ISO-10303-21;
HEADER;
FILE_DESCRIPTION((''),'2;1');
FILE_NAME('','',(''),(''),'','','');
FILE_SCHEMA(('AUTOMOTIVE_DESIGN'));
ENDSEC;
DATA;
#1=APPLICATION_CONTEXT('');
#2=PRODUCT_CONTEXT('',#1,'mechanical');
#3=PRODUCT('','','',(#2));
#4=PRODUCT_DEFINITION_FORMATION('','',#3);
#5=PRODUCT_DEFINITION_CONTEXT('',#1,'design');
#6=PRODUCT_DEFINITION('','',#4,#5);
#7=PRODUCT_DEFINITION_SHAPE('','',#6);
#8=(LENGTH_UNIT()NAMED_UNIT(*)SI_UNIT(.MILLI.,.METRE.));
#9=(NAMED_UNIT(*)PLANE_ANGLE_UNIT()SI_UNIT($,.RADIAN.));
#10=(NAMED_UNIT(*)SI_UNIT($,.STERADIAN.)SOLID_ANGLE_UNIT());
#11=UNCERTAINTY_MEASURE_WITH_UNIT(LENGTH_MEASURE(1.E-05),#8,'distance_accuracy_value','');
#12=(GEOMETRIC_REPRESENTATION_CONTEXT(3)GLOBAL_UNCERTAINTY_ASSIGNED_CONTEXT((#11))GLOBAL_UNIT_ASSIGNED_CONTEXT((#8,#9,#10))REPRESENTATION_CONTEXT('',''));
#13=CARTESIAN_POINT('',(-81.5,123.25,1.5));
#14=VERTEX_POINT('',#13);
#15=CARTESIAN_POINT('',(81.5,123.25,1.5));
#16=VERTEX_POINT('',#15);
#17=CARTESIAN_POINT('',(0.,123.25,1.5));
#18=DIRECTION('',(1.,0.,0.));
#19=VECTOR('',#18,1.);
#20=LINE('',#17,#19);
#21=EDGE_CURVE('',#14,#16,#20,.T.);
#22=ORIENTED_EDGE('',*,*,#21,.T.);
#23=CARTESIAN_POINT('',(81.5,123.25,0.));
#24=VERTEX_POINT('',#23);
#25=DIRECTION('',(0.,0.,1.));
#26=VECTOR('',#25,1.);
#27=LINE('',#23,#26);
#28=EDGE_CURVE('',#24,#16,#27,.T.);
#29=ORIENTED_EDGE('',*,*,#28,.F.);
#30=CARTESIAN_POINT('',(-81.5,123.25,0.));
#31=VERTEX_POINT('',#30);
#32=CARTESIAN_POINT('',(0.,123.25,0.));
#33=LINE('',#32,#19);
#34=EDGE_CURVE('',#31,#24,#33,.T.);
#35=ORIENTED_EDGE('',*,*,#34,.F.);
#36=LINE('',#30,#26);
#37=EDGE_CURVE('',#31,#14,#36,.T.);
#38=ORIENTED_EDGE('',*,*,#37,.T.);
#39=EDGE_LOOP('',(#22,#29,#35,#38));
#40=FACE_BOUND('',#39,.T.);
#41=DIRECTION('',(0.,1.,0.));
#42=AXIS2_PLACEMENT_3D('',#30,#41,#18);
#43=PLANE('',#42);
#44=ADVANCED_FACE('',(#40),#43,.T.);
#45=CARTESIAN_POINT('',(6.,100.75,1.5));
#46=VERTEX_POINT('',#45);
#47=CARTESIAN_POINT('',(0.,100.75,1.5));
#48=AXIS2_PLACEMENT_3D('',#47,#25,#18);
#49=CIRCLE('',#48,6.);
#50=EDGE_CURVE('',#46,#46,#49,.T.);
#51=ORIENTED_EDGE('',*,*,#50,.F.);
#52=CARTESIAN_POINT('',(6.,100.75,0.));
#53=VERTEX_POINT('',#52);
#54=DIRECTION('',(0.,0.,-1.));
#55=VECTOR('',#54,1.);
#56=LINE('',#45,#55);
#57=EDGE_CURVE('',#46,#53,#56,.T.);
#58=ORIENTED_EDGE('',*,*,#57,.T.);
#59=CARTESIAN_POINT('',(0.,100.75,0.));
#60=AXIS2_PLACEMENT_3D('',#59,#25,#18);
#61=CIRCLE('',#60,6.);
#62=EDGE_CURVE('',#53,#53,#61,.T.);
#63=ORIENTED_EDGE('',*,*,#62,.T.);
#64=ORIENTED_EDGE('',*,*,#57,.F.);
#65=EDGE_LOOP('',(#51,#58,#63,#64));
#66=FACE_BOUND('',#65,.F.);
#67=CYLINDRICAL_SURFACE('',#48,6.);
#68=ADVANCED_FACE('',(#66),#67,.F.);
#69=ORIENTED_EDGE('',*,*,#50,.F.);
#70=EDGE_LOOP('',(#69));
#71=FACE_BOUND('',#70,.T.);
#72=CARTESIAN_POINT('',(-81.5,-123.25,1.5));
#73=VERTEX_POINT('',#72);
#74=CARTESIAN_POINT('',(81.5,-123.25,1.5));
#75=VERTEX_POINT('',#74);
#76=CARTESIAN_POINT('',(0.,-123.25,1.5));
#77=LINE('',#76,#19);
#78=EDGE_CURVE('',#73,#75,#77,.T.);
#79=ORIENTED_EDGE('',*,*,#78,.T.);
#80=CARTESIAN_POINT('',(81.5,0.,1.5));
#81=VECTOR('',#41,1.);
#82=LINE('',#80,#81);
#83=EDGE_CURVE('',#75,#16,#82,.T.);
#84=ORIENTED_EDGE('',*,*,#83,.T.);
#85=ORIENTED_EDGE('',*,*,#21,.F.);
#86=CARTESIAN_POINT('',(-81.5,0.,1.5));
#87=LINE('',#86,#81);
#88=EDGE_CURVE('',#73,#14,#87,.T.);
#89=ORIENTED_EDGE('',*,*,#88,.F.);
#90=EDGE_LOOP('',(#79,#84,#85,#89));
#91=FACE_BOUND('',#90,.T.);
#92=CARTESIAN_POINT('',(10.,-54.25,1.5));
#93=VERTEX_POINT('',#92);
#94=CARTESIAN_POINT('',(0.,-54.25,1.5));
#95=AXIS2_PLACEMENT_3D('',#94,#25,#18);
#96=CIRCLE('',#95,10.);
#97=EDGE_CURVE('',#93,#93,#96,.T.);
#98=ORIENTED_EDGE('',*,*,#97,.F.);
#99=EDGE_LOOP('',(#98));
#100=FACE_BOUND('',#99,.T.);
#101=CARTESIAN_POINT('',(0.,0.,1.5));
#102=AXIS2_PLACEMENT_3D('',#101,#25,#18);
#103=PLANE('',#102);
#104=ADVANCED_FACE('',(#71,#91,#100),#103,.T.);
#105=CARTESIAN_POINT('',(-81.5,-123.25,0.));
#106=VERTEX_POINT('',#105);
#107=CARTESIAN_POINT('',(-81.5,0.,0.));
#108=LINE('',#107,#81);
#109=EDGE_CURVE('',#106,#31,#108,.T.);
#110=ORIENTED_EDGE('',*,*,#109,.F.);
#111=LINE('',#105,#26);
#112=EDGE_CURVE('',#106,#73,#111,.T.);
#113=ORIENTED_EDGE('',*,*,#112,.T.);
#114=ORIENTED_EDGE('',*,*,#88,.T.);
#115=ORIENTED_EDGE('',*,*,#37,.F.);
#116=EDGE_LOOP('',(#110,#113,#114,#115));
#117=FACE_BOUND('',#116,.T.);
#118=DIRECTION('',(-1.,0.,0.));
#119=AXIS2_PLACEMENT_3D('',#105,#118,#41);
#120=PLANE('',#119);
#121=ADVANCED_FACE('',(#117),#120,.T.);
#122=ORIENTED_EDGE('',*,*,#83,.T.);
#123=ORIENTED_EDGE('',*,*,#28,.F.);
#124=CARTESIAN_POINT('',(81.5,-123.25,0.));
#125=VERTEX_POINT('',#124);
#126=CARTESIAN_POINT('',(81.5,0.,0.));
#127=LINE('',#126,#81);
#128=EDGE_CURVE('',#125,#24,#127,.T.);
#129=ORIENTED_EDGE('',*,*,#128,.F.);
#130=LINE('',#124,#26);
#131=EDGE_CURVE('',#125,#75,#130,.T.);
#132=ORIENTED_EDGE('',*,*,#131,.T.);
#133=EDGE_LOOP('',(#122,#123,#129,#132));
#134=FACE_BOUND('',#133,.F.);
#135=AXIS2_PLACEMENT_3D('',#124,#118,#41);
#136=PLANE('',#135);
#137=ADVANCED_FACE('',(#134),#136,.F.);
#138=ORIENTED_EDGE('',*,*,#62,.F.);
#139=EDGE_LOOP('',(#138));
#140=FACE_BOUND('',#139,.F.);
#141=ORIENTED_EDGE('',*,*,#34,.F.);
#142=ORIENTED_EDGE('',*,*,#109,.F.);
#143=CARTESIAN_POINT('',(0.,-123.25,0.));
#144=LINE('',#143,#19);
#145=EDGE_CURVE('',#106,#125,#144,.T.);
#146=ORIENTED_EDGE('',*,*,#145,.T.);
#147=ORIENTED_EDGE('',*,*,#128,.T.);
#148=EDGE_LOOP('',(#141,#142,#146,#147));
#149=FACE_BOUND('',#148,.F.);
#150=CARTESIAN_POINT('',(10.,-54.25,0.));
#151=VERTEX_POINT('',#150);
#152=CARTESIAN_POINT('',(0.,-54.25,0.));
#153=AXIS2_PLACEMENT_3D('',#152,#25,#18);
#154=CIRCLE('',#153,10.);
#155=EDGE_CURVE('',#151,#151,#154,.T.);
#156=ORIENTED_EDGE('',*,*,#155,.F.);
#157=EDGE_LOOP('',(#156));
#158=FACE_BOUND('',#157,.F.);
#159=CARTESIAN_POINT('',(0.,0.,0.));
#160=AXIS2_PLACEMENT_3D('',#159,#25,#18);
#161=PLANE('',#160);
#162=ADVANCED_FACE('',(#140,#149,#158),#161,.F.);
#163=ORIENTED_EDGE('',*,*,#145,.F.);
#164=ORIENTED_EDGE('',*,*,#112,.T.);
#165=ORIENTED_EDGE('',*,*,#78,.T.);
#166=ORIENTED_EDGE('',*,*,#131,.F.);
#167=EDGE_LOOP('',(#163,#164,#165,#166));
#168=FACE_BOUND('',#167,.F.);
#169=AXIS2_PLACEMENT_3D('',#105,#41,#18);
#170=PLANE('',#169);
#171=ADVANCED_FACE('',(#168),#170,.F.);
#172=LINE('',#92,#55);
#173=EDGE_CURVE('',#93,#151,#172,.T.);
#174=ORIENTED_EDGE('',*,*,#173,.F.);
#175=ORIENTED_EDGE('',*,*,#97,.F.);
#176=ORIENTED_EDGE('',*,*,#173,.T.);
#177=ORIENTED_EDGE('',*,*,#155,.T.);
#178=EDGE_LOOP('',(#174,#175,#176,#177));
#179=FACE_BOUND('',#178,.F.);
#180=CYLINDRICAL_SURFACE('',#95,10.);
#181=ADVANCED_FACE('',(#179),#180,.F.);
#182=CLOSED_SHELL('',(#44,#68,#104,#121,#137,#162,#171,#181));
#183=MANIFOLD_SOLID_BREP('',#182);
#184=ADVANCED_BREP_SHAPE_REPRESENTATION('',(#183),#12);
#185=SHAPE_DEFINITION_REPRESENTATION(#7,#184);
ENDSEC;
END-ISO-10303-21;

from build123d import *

# Parameters (mm, degrees)
F0_W     = 163
F0_H     = 246.5
F1_DEPTH = 1.5
F2_R     = 6
F2_R_2   = 10
F3_DEPTH = 1.5


with BuildPart() as f1:
    # F0 (on Top) → F1 (new body)
    with BuildSketch(Plane.XY):
        Rectangle(F0_W, F0_H)
    extrude(amount=F1_DEPTH)

    # F2 (on face) → F3 (cut)
    with BuildSketch(Plane.XY.offset(1.5)):
        with Locations((0, 100.75)):
            Circle(F2_R)
        with Locations((0, -54.25)):
            Circle(F2_R_2)
    extrude(amount=-F3_DEPTH, mode=Mode.SUBTRACT)


solid = f1.part
